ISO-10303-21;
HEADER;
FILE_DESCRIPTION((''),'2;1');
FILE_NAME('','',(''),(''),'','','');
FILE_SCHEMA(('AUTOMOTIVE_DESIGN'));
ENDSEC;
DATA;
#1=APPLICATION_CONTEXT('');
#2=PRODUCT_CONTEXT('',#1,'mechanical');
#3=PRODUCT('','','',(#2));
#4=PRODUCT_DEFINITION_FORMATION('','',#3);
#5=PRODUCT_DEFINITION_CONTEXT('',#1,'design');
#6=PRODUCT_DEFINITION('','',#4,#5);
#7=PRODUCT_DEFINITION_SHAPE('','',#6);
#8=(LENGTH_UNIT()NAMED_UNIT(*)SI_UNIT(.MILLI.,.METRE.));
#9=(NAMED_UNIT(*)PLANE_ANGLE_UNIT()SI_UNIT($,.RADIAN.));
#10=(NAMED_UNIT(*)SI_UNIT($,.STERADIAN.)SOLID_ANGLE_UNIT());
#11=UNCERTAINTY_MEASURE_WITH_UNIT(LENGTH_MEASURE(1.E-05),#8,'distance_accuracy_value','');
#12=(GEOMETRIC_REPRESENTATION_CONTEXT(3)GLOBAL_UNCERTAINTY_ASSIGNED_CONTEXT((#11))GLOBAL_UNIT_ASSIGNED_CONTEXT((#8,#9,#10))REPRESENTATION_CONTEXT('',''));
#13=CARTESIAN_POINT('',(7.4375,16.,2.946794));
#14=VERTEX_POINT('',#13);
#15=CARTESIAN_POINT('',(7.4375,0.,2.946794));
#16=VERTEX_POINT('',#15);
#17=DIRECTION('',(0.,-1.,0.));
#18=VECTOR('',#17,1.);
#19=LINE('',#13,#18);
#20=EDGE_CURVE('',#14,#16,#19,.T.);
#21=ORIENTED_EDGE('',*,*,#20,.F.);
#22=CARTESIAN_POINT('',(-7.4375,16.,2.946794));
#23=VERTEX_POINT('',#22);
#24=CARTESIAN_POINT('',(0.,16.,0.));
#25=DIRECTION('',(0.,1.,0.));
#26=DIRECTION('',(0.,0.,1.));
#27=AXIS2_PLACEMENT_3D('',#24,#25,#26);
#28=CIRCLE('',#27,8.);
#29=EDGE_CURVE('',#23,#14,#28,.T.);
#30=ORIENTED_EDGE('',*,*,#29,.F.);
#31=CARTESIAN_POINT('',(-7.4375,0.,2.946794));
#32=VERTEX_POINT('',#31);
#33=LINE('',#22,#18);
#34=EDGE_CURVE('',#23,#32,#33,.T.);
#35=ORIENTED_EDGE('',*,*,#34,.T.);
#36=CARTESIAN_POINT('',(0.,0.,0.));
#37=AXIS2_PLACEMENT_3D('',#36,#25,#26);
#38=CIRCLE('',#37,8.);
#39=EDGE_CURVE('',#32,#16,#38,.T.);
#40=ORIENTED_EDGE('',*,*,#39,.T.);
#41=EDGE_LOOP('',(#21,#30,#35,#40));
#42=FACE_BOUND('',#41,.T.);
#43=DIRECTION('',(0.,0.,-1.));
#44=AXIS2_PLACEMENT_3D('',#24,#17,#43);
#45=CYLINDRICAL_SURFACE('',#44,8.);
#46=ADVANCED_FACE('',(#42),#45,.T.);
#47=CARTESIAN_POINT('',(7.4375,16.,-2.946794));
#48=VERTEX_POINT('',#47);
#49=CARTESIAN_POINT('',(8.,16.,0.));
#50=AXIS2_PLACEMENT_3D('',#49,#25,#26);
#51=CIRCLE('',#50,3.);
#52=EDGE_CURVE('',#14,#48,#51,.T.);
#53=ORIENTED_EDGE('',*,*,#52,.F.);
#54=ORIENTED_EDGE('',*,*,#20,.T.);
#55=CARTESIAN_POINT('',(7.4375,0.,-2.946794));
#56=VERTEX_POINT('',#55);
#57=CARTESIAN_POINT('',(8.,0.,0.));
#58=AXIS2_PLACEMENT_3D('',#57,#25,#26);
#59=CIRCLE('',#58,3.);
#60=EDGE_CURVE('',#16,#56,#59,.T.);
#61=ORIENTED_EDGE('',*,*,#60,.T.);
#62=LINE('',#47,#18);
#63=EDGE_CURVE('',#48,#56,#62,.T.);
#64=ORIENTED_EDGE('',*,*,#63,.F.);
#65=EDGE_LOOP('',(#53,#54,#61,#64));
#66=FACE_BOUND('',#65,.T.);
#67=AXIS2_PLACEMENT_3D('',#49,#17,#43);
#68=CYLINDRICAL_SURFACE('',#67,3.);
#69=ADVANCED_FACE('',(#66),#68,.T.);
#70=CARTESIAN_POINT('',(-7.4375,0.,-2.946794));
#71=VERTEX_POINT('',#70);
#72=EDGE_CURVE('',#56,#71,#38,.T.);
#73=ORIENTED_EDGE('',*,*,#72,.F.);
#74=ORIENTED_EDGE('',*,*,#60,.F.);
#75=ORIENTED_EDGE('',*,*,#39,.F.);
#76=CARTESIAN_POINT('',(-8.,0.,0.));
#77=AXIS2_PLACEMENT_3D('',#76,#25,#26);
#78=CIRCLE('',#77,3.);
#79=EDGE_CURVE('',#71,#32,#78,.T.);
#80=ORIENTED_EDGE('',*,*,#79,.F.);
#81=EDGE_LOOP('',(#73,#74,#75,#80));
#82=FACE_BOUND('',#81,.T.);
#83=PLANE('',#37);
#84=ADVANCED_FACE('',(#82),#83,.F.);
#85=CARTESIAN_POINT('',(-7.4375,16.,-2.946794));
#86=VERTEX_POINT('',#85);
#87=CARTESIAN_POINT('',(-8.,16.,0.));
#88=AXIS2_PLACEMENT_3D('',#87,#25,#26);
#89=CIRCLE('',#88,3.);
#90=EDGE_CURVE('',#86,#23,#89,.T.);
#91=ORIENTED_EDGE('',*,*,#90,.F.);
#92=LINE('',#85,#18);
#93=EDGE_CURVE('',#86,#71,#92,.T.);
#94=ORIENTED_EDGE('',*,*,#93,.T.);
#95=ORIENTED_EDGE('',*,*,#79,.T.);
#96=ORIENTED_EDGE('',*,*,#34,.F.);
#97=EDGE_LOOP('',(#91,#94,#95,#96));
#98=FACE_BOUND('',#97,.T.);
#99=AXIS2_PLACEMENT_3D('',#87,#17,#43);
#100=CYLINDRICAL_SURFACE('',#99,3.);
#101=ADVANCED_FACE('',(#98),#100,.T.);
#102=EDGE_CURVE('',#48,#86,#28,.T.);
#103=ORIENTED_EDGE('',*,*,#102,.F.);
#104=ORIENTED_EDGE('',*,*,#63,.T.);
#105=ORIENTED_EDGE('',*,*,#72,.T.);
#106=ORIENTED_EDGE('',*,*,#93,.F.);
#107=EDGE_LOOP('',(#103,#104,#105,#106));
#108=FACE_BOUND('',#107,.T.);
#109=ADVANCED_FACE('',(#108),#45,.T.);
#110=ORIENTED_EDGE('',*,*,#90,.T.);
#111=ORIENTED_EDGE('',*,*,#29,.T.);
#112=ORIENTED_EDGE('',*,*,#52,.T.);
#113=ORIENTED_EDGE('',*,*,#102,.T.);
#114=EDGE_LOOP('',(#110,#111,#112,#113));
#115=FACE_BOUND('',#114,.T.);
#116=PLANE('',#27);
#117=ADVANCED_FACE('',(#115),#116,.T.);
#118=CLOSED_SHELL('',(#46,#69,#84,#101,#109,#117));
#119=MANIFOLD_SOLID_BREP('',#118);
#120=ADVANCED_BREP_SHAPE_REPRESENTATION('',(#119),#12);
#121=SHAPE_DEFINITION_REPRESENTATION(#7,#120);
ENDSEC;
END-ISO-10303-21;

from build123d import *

# Parameters (mm, degrees)
SKETCH2_R           = 3
SKETCH2_R_2         = 8
BOSS_EXTRUDE1_DEPTH = 16


with BuildPart() as part:
    # Sketch2 → Boss-Extrude1 (new body)
    with BuildSketch(Plane(origin=(0, 0, 0), x_dir=(1, 0, 0), z_dir=(0, 1, 0))):
        with Locations((-8, 0)):
            Circle(SKETCH2_R)
        Circle(SKETCH2_R_2)
        with Locations((8, 0)):
            Circle(SKETCH2_R)
    extrude(amount=BOSS_EXTRUDE1_DEPTH)


solid = part.part
